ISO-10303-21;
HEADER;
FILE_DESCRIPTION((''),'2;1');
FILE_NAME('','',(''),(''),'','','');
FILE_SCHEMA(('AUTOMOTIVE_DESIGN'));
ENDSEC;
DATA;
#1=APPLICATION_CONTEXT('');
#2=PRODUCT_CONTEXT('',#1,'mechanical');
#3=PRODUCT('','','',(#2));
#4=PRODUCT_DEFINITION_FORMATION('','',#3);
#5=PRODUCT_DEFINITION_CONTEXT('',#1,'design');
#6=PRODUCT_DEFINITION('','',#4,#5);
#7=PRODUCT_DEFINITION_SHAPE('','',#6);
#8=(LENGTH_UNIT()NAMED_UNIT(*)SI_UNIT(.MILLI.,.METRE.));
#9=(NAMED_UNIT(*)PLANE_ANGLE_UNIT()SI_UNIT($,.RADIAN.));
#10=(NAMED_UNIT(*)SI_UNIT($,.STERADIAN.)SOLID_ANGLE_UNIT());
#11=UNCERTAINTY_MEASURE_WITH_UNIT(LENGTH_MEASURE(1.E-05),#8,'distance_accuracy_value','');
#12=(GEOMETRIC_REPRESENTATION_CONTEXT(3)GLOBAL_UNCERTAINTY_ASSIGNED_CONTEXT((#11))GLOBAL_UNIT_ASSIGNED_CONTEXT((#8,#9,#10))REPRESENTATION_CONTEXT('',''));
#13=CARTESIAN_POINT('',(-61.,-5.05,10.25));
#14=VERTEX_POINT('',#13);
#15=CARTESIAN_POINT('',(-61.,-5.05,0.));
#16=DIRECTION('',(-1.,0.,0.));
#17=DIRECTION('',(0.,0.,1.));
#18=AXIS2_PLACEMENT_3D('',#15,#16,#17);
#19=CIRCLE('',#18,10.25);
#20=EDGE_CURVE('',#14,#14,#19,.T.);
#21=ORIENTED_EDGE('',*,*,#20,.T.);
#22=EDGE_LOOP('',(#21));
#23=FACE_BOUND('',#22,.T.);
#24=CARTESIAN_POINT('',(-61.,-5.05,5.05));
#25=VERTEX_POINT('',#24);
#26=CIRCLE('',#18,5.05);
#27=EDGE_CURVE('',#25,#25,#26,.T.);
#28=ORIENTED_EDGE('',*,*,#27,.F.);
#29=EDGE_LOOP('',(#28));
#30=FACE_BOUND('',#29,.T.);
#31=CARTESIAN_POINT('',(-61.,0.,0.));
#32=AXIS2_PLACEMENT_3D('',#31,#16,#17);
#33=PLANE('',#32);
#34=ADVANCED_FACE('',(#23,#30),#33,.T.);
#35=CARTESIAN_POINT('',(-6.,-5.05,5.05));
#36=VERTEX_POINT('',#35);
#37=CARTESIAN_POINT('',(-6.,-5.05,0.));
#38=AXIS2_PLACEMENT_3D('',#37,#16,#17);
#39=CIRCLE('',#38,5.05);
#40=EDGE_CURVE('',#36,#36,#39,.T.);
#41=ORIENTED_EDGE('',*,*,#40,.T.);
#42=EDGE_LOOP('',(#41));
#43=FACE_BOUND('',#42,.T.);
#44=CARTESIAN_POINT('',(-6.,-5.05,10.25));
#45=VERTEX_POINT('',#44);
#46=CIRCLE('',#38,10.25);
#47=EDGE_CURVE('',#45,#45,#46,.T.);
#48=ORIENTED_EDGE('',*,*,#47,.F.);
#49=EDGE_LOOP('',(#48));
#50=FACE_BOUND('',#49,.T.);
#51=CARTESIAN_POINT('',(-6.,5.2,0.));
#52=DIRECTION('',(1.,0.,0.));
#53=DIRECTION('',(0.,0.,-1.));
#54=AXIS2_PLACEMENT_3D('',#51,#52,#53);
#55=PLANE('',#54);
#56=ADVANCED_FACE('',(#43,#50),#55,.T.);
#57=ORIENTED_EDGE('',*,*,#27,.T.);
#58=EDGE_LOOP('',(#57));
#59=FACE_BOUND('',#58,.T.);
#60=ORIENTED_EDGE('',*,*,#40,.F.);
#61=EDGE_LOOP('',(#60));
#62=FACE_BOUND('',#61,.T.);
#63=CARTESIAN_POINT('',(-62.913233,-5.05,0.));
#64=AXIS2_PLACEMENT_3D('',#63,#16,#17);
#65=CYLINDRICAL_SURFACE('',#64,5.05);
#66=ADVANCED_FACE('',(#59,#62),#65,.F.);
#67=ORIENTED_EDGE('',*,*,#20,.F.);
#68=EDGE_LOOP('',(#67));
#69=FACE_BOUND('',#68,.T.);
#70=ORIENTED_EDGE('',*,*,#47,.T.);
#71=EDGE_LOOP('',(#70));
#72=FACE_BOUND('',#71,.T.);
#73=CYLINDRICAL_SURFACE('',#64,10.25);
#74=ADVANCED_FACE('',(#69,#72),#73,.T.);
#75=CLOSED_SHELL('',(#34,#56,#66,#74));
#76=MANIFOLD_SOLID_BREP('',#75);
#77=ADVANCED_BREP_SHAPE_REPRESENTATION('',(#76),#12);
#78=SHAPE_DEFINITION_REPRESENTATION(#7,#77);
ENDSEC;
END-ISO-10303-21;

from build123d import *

# Parameters (mm, degrees)
SKETCH1_W = 55
SKETCH1_H = 5.2


with BuildPart() as part:
    # Sketch1 → Revolve1 (revolve)
    with BuildSketch(Plane.XY, mode=Mode.PRIVATE) as revolve1_sk:
        with Locations((-33.5, 2.6)):
            Rectangle(SKETCH1_W, SKETCH1_H)
    revolve(revolve1_sk.sketch.rotate(Axis((-62.913232641, -5.05, 0), (1, 0, 0)), 90), axis=Axis((-62.913232641, -5.05, 0), (1, 0, 0)))


solid = part.part
